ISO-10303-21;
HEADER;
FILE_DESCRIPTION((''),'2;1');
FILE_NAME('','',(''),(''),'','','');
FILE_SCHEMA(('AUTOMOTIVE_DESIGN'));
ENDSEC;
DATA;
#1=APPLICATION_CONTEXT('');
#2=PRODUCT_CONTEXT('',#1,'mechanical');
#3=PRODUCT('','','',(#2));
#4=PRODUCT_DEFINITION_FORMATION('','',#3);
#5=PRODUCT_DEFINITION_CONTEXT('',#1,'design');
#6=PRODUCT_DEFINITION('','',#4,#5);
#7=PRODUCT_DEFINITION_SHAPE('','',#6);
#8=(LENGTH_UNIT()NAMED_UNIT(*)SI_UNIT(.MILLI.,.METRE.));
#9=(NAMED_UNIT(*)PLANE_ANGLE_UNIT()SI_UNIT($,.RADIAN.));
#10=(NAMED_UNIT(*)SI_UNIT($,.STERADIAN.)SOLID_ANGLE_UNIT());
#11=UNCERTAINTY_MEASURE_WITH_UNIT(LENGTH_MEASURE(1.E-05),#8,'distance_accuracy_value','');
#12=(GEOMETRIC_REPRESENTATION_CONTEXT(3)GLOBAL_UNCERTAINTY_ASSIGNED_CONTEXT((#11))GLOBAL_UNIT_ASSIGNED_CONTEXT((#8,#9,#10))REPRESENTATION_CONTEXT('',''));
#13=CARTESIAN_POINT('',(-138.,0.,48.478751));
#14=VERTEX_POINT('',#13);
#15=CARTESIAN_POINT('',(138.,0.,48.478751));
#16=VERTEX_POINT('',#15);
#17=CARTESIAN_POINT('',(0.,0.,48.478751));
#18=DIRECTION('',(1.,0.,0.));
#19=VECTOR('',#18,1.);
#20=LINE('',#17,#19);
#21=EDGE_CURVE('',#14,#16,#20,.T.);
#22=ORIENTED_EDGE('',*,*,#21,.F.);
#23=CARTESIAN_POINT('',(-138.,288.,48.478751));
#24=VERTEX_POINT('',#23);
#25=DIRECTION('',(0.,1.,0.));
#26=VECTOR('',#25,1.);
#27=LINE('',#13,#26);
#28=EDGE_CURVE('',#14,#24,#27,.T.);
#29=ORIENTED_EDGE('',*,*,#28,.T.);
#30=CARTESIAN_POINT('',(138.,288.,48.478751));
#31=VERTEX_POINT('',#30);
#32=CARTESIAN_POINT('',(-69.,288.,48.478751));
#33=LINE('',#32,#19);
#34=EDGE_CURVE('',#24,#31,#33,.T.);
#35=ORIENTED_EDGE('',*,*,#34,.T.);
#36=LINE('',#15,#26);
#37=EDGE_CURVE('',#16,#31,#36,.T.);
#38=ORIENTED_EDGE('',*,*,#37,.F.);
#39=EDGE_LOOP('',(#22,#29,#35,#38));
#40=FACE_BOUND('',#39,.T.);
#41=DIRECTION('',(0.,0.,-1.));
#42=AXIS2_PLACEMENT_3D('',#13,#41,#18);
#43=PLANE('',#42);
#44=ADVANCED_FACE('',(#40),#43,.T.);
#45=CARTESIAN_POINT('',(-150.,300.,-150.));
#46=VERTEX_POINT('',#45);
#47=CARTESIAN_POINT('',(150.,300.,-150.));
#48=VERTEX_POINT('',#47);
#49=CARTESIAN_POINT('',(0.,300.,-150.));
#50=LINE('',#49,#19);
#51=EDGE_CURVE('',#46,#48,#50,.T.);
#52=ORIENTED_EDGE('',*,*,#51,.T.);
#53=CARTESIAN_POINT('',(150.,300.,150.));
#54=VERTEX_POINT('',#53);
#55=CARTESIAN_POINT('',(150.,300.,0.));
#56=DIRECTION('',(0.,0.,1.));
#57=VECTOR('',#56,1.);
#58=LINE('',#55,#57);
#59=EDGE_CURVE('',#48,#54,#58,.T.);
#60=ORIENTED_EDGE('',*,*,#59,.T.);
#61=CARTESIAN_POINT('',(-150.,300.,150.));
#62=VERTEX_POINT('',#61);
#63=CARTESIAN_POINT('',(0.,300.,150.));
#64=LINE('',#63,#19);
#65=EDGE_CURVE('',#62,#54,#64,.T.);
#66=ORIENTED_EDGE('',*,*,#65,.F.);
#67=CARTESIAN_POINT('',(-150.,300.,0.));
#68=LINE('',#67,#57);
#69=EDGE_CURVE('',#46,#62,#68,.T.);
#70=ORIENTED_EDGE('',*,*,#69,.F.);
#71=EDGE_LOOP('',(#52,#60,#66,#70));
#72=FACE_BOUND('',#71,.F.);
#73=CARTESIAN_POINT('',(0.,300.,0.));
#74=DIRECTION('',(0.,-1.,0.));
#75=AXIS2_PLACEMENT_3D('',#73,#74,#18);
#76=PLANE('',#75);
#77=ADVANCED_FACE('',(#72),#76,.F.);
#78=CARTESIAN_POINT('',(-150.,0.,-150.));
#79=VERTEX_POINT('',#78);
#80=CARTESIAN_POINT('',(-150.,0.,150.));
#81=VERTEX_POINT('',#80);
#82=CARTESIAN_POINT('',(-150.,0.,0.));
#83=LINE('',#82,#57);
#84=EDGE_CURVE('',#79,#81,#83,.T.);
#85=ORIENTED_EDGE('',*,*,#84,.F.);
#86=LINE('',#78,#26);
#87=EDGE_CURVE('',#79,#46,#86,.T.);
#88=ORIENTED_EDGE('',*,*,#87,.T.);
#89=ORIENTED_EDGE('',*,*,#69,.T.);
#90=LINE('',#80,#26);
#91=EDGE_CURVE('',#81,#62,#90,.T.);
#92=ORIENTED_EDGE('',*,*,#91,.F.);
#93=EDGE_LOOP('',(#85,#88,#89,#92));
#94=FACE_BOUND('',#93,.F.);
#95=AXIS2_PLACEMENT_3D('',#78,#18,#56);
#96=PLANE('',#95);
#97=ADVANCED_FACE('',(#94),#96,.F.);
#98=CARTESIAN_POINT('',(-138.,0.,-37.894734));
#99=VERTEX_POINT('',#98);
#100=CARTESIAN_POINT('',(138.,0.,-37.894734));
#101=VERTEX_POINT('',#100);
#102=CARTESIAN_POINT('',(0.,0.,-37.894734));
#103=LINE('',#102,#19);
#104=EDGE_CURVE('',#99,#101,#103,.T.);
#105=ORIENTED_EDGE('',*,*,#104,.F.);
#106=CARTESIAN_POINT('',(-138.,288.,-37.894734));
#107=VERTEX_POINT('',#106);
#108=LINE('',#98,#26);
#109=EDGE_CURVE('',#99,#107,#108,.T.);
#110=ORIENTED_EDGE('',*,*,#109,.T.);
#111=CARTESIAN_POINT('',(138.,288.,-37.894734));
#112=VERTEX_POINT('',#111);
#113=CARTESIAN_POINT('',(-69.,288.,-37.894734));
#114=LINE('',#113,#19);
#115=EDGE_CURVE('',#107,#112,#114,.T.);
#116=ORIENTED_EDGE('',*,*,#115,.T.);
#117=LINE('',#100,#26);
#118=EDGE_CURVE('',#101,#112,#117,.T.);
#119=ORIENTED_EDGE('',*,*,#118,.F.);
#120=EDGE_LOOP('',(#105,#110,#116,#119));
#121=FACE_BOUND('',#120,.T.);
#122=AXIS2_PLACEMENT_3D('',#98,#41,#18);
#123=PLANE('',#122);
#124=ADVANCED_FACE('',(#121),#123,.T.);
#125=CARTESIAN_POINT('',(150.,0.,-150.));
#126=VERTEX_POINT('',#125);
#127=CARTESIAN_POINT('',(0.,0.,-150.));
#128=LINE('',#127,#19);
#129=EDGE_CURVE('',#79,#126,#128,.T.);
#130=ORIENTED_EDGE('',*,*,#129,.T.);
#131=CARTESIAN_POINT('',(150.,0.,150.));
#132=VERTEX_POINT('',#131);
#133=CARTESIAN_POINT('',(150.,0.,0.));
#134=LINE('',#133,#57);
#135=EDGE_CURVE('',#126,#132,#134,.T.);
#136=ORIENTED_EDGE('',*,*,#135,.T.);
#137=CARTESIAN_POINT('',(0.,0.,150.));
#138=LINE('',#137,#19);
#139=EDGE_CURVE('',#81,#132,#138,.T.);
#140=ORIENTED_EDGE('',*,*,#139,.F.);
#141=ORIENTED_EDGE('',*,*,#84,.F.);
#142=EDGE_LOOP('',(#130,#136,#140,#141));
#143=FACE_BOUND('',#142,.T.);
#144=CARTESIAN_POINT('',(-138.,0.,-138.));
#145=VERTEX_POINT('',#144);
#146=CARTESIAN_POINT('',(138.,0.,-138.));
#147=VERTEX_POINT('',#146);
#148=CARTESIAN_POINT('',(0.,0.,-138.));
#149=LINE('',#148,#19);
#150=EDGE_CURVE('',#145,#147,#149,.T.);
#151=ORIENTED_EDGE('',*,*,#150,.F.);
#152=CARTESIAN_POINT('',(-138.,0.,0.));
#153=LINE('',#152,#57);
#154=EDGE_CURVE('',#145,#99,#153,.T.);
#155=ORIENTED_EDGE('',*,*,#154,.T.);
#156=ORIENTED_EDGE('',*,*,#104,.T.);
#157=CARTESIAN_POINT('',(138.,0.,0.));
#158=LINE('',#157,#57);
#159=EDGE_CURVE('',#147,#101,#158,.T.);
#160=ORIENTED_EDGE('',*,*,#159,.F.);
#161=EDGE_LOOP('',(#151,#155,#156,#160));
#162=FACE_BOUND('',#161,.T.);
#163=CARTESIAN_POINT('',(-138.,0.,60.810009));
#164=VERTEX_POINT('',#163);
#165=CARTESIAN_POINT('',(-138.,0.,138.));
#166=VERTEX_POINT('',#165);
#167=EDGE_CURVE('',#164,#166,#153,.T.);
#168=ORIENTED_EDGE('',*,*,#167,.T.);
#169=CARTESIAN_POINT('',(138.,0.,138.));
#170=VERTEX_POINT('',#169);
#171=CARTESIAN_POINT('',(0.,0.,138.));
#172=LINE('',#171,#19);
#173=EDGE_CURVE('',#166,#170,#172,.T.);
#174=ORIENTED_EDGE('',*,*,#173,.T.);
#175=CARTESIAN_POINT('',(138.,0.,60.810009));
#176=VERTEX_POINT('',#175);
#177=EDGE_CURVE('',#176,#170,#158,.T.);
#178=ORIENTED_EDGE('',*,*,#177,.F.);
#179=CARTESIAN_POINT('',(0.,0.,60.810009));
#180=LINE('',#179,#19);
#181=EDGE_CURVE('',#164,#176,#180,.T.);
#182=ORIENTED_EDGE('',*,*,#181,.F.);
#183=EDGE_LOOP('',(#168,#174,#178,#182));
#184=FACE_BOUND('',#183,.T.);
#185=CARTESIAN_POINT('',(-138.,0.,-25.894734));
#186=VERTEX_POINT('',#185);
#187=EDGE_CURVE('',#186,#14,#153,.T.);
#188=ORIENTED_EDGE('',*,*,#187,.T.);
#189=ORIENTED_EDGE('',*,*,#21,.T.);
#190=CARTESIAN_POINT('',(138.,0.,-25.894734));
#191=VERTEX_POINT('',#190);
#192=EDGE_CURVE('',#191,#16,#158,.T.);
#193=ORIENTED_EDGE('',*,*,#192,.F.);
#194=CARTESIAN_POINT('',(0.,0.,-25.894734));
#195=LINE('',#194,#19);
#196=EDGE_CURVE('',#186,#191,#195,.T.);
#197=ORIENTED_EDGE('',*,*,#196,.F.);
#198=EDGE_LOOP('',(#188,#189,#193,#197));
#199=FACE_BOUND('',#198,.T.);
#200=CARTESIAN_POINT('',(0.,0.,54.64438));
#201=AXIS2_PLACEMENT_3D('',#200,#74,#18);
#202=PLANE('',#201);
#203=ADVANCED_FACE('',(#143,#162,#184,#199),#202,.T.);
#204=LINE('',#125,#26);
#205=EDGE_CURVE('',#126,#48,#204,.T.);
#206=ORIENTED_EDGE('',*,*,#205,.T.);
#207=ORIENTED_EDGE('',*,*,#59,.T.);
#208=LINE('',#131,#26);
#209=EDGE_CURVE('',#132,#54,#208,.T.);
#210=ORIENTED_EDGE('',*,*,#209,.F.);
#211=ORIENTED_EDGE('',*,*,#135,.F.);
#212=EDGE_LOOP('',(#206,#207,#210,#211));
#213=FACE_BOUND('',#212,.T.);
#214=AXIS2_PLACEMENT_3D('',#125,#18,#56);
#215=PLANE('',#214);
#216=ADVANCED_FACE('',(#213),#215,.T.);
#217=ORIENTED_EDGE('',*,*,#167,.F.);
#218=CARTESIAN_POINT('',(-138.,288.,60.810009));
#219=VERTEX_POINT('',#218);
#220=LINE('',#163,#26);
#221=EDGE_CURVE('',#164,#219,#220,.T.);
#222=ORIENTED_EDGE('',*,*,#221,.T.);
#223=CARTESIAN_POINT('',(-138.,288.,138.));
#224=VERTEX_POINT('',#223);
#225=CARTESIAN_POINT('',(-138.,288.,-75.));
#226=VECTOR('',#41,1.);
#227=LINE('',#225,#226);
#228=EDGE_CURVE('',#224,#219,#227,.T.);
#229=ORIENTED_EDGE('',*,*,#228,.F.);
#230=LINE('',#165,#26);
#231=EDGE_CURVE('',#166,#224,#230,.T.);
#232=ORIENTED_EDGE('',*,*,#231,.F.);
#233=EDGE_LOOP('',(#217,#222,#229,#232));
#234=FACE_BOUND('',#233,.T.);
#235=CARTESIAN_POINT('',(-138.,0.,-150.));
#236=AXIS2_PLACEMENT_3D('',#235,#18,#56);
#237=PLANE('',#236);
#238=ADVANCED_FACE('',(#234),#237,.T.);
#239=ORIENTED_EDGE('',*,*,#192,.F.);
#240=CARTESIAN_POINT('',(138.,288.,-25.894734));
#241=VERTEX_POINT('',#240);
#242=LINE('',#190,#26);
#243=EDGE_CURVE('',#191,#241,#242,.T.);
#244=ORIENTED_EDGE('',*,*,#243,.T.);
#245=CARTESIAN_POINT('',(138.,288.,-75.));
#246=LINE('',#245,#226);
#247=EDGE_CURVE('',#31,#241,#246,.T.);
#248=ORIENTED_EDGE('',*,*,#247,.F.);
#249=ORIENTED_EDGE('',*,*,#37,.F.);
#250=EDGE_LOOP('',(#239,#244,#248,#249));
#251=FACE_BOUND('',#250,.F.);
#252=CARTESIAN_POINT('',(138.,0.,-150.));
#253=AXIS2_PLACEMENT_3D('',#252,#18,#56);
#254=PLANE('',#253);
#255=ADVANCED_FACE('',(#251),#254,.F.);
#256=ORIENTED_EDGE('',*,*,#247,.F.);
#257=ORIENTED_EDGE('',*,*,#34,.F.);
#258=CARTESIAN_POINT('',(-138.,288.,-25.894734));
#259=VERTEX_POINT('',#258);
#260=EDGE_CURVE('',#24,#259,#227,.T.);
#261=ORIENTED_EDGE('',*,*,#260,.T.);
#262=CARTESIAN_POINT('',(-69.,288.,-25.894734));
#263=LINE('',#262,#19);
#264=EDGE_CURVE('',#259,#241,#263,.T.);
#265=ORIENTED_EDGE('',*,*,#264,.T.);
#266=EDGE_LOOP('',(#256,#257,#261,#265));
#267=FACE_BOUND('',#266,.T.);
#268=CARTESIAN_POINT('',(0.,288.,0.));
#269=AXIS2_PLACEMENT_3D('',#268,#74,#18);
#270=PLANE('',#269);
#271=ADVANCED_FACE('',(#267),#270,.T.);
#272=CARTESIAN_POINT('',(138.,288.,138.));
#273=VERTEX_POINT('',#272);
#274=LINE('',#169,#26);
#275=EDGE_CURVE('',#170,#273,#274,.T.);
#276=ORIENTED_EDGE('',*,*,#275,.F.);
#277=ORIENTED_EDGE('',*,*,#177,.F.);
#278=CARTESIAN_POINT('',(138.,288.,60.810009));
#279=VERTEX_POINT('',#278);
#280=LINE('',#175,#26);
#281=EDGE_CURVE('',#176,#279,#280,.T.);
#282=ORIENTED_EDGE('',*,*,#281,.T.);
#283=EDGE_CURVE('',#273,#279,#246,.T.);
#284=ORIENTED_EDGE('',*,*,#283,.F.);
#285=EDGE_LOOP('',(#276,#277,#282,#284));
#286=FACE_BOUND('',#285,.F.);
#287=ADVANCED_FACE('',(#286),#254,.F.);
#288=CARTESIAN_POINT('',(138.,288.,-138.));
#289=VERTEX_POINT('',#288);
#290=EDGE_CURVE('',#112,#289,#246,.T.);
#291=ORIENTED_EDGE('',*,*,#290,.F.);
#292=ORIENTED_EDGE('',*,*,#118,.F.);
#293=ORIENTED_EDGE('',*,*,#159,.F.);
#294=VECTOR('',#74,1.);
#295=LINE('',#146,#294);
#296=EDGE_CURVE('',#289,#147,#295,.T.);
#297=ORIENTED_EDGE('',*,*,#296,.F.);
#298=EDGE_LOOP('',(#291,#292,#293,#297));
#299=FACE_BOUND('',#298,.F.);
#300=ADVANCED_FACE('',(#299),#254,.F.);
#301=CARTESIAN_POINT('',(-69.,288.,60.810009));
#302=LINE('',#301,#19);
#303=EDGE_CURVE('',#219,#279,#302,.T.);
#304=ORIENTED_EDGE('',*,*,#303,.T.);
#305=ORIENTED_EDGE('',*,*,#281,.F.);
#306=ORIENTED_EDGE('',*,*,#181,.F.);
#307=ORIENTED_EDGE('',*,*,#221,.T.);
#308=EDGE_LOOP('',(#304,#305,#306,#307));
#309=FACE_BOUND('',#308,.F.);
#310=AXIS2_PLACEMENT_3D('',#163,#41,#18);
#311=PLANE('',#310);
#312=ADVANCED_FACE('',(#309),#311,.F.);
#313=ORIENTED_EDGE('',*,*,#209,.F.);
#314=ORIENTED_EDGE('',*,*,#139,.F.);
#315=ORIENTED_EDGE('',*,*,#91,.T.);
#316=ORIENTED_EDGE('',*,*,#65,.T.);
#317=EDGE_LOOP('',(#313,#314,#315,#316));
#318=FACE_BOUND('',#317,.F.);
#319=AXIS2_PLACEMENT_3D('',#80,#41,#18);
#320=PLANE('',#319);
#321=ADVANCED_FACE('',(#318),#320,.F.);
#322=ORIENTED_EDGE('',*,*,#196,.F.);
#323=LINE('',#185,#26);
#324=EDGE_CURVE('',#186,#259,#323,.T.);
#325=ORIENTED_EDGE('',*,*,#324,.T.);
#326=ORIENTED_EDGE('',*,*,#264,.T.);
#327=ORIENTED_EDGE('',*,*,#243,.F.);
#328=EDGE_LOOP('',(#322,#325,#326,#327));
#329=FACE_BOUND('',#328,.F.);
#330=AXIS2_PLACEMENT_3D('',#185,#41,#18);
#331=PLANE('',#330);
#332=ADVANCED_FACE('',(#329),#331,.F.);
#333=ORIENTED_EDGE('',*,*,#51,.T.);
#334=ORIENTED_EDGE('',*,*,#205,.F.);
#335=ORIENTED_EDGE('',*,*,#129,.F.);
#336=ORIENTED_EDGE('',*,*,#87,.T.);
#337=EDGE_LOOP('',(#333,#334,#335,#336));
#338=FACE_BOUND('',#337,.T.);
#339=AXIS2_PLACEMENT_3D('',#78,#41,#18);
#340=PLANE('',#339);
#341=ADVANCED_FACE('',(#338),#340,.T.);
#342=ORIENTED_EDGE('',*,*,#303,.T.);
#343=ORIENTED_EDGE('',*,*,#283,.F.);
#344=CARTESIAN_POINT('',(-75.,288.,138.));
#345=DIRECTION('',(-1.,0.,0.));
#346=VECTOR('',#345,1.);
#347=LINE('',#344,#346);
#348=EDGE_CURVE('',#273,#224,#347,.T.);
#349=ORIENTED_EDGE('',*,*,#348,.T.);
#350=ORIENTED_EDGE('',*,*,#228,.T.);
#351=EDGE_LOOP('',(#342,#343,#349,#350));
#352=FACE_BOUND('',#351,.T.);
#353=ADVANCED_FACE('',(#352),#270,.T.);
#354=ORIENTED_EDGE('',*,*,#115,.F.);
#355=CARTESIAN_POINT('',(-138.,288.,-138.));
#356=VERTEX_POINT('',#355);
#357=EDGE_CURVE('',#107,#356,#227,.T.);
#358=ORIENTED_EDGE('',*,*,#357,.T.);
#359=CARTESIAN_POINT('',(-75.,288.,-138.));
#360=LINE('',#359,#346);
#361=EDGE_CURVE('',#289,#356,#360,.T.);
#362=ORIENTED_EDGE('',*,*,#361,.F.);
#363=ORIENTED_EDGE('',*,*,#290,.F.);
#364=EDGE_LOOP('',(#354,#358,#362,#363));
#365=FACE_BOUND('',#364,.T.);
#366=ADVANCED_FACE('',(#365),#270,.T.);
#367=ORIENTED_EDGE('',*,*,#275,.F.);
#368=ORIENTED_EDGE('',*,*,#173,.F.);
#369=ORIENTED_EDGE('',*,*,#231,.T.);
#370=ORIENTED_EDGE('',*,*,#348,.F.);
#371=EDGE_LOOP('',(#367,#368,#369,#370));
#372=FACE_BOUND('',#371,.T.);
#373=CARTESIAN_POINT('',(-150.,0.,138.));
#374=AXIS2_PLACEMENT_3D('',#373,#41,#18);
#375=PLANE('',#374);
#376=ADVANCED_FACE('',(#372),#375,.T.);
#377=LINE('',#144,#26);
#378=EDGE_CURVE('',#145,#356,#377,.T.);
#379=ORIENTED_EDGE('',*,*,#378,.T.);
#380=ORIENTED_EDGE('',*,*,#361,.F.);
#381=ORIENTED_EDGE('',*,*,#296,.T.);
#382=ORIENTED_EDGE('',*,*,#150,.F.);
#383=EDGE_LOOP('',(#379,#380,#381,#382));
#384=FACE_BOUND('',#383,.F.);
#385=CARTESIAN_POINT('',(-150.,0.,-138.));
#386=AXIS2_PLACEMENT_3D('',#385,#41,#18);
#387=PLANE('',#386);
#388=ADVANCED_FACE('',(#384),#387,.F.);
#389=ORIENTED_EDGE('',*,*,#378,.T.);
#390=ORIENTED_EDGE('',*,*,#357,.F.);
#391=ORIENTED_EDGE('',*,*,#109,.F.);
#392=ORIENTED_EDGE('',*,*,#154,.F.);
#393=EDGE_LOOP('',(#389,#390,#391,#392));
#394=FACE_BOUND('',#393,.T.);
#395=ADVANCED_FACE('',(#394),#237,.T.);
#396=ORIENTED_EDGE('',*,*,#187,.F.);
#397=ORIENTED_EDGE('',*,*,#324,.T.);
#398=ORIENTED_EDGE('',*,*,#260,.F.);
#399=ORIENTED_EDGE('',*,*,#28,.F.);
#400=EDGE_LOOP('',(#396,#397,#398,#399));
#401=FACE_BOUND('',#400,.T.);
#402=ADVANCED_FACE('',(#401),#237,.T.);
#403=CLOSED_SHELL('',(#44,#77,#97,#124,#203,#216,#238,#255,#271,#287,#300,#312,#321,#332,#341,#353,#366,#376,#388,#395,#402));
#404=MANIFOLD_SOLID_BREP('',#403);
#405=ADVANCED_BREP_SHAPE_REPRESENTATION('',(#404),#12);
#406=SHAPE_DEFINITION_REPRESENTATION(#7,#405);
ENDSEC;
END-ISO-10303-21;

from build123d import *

# Parameters (mm, degrees)
F0_W     = 300
F0_H     = 300
F1_DEPTH = 300
F2_T     = -12
F3_W     = 276
F3_H     = 12.3312585362
F3_H_2   = 12
F4_DEPTH = 295


with BuildPart() as f1:
    # F0 (on Front) → F1 (new body)
    with BuildSketch(Plane.XZ):
        Rectangle(F0_W, F0_H)
    extrude(amount=-F1_DEPTH)

    # F2
    f2_openings = [f1.faces().sort_by_distance(p)[0] for p in [
        (0, 0, 0),
    ]]
    offset(amount=F2_T, openings=f2_openings)

    # F3 (on face) → F4 (join)
    with BuildSketch(Plane.XZ):
        with Locations((0, 54.6443801671)):
            Rectangle(F3_W, F3_H)
        with Locations((0, -31.8947338536)):
            Rectangle(F3_W, F3_H_2)
    extrude(amount=-F4_DEPTH)


solid = f1.part
